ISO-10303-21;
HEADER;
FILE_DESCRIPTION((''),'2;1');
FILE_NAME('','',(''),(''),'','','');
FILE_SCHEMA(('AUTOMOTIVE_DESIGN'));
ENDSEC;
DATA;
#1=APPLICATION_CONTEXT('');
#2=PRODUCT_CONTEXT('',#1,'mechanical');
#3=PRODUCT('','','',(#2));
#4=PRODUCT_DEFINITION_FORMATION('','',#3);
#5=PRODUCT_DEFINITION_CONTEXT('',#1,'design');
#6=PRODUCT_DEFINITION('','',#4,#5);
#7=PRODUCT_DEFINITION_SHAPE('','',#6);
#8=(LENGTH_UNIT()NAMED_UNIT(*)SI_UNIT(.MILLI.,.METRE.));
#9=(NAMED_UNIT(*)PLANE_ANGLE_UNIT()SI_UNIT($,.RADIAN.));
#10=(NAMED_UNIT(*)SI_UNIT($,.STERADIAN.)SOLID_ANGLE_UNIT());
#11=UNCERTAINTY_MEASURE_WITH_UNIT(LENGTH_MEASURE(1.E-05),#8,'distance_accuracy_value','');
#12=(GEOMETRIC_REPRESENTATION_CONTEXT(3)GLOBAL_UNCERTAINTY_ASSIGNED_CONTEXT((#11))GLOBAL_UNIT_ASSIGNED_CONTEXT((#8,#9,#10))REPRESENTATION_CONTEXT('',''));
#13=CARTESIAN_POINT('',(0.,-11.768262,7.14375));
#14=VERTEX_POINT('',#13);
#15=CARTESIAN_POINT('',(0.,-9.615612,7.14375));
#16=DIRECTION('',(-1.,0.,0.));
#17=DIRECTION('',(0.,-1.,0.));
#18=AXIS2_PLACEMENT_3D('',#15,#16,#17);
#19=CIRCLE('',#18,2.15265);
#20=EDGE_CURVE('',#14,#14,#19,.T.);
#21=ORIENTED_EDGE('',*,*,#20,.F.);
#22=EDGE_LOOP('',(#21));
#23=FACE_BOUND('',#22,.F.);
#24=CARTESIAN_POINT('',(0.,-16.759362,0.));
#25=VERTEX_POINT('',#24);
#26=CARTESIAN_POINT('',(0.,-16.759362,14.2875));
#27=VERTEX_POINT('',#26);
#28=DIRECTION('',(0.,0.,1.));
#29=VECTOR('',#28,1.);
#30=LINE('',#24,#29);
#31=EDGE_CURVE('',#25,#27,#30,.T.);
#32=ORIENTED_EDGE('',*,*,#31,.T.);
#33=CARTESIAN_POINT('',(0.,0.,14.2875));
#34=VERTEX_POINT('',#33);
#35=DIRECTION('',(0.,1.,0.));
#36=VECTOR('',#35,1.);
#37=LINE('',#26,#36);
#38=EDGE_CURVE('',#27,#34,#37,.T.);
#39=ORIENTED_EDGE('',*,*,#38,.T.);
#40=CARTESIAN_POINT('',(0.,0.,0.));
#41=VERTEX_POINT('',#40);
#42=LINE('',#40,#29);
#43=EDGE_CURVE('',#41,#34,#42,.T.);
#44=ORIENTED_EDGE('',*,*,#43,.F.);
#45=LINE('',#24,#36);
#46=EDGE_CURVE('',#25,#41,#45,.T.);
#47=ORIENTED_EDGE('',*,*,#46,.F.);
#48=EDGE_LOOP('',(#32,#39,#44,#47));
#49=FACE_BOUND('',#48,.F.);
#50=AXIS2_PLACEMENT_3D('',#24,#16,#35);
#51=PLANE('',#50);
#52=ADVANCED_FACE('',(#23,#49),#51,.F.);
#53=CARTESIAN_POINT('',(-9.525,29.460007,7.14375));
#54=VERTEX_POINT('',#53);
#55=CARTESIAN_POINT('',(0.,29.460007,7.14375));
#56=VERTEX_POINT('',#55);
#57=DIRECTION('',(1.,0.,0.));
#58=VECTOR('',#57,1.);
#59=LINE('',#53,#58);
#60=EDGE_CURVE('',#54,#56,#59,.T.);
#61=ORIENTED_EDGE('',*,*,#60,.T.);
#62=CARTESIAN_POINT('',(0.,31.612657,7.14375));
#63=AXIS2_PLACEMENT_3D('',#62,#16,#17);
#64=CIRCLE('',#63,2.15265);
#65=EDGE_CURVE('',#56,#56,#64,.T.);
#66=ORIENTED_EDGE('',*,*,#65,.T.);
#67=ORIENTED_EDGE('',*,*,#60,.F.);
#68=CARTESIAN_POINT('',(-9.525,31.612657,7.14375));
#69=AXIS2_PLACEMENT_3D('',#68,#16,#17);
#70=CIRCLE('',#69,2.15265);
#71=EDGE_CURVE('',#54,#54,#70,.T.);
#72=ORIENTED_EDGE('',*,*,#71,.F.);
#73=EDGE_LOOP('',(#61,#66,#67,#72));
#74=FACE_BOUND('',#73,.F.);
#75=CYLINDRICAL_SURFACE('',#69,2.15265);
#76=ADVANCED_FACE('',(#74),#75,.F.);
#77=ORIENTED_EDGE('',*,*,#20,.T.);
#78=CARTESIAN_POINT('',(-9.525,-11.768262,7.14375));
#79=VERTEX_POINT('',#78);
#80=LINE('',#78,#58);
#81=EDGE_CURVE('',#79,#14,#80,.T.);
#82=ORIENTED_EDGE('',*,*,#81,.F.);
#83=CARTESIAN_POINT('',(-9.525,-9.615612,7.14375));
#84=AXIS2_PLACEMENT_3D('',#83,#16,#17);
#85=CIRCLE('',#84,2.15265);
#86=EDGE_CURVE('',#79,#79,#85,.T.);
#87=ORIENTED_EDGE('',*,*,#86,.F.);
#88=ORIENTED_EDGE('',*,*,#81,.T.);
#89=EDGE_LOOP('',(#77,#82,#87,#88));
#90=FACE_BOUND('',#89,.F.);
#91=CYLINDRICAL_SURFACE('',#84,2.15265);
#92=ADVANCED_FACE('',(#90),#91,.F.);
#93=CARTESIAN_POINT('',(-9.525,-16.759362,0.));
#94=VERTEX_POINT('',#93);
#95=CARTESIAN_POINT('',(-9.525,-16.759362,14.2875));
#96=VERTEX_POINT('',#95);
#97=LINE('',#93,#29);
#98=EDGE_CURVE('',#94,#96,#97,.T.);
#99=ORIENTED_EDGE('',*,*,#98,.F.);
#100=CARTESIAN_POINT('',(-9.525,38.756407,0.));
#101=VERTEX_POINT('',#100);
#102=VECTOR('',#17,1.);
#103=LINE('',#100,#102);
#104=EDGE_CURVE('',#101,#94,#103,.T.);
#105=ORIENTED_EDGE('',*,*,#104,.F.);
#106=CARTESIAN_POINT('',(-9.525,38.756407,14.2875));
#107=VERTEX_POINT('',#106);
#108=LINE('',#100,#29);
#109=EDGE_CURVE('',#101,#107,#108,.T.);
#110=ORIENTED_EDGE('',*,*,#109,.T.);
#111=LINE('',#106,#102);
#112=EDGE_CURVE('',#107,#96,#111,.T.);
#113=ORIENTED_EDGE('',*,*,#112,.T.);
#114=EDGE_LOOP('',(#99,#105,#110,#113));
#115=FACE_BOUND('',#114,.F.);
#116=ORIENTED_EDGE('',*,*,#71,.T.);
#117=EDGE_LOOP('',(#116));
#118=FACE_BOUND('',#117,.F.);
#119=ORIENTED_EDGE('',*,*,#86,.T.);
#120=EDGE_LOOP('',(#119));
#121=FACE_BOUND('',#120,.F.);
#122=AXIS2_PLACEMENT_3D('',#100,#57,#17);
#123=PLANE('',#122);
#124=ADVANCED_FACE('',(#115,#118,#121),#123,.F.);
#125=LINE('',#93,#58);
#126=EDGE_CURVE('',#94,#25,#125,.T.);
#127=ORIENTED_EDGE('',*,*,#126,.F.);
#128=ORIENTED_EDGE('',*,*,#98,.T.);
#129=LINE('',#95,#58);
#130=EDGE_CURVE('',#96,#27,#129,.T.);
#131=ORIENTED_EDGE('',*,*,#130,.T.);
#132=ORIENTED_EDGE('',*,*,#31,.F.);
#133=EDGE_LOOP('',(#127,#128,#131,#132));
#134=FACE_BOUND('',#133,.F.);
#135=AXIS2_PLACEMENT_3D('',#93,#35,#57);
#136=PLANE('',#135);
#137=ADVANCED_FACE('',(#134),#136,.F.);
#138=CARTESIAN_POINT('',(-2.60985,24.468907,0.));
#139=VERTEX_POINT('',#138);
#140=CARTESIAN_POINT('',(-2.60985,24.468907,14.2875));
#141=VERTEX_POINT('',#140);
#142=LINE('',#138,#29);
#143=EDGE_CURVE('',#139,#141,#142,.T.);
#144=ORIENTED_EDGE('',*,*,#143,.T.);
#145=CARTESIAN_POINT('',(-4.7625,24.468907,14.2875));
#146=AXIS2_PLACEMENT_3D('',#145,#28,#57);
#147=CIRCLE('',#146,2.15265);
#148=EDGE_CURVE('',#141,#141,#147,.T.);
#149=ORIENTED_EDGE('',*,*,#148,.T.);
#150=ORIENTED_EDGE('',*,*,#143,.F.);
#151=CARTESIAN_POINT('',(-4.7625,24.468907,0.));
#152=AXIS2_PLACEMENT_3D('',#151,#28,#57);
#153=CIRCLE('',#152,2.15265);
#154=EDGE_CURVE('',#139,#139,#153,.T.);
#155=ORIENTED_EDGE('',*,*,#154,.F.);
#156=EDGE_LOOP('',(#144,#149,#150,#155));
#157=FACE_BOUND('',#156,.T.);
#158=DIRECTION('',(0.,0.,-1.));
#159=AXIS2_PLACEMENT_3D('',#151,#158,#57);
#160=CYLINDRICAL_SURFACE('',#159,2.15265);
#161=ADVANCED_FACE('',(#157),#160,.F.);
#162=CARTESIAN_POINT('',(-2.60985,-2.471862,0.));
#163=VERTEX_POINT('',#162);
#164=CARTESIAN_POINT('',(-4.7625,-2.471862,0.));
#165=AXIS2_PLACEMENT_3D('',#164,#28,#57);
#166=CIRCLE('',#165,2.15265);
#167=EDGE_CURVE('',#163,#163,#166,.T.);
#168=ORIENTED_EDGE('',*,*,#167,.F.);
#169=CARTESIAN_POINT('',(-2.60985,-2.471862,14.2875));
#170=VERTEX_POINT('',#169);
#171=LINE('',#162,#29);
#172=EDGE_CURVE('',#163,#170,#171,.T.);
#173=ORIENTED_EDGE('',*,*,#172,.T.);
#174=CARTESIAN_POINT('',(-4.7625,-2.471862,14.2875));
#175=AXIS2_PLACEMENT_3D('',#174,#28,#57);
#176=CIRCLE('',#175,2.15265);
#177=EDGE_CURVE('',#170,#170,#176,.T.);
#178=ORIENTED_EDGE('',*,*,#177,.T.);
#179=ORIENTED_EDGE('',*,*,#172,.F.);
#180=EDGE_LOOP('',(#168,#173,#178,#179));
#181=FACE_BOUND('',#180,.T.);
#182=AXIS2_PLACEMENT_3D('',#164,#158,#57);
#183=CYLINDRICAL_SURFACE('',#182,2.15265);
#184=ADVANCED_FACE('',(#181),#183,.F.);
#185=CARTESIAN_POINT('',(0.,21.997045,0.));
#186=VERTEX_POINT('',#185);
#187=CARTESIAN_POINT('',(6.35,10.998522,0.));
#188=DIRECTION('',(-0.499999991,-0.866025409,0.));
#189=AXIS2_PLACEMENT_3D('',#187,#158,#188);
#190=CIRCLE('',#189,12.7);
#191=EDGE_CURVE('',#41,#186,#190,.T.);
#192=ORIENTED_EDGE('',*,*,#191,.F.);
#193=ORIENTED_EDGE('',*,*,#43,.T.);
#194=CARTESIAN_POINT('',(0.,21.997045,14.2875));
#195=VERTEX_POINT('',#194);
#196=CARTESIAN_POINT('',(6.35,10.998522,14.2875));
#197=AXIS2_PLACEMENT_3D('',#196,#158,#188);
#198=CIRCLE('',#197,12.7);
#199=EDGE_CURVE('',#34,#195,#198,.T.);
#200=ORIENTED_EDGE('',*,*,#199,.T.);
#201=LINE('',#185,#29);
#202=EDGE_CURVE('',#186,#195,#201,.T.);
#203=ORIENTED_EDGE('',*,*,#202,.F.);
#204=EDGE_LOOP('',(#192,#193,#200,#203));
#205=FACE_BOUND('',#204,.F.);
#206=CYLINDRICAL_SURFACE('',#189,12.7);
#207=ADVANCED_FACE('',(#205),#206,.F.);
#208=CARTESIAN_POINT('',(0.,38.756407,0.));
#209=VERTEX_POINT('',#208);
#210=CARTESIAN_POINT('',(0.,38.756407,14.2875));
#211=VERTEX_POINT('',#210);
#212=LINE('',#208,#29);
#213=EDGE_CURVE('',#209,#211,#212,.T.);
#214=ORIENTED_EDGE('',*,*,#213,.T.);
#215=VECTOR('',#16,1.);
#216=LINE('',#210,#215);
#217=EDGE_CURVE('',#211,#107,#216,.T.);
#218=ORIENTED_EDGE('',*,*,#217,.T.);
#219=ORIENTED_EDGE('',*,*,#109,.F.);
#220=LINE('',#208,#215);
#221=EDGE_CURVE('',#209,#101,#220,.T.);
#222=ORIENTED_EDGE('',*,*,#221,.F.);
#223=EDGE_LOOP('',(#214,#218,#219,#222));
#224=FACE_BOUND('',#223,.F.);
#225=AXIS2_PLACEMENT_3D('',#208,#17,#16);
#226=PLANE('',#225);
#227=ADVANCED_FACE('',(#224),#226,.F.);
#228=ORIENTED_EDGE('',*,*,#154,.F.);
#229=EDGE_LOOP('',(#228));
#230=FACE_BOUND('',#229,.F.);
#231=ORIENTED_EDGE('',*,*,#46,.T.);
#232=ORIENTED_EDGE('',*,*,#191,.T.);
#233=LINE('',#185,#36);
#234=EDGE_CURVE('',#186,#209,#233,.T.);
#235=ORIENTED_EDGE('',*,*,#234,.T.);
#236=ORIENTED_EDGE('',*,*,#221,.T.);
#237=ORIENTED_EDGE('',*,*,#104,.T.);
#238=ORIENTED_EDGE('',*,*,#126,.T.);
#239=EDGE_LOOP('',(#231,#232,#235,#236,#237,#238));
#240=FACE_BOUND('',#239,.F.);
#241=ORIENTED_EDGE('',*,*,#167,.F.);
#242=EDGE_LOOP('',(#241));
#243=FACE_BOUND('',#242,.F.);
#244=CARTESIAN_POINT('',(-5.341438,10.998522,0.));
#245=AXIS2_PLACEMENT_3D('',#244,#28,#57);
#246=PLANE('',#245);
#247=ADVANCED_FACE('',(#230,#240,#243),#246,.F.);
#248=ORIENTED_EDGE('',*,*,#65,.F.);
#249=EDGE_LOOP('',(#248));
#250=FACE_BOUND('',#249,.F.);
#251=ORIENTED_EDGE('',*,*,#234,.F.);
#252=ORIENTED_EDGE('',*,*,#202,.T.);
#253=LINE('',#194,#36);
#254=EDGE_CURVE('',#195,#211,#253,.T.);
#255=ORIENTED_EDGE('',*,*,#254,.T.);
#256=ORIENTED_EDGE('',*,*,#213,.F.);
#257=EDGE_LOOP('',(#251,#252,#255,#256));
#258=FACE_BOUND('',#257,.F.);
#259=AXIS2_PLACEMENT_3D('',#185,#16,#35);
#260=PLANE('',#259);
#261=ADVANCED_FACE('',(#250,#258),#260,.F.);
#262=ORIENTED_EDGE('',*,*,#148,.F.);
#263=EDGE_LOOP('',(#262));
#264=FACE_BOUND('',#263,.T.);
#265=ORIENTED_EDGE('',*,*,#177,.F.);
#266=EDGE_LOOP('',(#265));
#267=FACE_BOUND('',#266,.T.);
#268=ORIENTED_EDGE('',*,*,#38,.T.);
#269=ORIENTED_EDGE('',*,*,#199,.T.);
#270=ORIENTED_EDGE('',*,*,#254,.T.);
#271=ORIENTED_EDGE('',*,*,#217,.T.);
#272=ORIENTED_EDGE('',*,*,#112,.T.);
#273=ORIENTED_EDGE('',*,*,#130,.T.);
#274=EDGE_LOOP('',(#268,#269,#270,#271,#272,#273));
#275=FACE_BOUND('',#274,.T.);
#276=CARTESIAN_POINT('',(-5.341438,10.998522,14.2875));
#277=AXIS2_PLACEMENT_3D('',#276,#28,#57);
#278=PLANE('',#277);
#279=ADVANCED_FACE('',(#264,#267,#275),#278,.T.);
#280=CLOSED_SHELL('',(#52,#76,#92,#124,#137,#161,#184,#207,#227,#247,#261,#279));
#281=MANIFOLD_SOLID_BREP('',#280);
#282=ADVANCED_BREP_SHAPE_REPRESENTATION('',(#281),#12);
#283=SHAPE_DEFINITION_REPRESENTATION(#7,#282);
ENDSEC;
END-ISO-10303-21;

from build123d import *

# Parameters (mm, degrees)
F0_R     = 2.15265
F1_DEPTH = 14.2875
F2_R     = 2.15265
F3_DEPTH = 9.525


with BuildPart() as f1:
    # F0 (on Top) → F1 (new body)
    with BuildSketch(Plane.XY):
        with BuildLine():
            ThreePointArc((0, 0), (-6.35, 10.998523), (0, 21.997045))
            Line((0, 21.997045), (0, 38.756407))
            Line((0, 38.756407), (-9.525, 38.756407))
            Line((-9.525, 38.756407), (-9.525, -16.759362))
            Line((-9.525, -16.759362), (0, -16.759362))
            Line((0, -16.759362), (0, 0))
        make_face()
        with Locations((-4.7625, -2.471862)):
            Circle(F0_R, mode=Mode.SUBTRACT)
        with Locations((-4.7625, 24.468907)):
            Circle(F0_R, mode=Mode.SUBTRACT)
    extrude(amount=F1_DEPTH)

    # F2 (on face) → F3 (cut, through all)
    with BuildSketch(Plane(origin=(-9.525, 0, 0), x_dir=(0, -1, 0), z_dir=(-1, 0, 0))):
        with Locations((9.615612, 7.14375)):
            Circle(F2_R)
        with Locations((-31.612657, 7.14375)):
            Circle(F2_R)
    extrude(amount=-F3_DEPTH, mode=Mode.SUBTRACT)


solid = f1.part
